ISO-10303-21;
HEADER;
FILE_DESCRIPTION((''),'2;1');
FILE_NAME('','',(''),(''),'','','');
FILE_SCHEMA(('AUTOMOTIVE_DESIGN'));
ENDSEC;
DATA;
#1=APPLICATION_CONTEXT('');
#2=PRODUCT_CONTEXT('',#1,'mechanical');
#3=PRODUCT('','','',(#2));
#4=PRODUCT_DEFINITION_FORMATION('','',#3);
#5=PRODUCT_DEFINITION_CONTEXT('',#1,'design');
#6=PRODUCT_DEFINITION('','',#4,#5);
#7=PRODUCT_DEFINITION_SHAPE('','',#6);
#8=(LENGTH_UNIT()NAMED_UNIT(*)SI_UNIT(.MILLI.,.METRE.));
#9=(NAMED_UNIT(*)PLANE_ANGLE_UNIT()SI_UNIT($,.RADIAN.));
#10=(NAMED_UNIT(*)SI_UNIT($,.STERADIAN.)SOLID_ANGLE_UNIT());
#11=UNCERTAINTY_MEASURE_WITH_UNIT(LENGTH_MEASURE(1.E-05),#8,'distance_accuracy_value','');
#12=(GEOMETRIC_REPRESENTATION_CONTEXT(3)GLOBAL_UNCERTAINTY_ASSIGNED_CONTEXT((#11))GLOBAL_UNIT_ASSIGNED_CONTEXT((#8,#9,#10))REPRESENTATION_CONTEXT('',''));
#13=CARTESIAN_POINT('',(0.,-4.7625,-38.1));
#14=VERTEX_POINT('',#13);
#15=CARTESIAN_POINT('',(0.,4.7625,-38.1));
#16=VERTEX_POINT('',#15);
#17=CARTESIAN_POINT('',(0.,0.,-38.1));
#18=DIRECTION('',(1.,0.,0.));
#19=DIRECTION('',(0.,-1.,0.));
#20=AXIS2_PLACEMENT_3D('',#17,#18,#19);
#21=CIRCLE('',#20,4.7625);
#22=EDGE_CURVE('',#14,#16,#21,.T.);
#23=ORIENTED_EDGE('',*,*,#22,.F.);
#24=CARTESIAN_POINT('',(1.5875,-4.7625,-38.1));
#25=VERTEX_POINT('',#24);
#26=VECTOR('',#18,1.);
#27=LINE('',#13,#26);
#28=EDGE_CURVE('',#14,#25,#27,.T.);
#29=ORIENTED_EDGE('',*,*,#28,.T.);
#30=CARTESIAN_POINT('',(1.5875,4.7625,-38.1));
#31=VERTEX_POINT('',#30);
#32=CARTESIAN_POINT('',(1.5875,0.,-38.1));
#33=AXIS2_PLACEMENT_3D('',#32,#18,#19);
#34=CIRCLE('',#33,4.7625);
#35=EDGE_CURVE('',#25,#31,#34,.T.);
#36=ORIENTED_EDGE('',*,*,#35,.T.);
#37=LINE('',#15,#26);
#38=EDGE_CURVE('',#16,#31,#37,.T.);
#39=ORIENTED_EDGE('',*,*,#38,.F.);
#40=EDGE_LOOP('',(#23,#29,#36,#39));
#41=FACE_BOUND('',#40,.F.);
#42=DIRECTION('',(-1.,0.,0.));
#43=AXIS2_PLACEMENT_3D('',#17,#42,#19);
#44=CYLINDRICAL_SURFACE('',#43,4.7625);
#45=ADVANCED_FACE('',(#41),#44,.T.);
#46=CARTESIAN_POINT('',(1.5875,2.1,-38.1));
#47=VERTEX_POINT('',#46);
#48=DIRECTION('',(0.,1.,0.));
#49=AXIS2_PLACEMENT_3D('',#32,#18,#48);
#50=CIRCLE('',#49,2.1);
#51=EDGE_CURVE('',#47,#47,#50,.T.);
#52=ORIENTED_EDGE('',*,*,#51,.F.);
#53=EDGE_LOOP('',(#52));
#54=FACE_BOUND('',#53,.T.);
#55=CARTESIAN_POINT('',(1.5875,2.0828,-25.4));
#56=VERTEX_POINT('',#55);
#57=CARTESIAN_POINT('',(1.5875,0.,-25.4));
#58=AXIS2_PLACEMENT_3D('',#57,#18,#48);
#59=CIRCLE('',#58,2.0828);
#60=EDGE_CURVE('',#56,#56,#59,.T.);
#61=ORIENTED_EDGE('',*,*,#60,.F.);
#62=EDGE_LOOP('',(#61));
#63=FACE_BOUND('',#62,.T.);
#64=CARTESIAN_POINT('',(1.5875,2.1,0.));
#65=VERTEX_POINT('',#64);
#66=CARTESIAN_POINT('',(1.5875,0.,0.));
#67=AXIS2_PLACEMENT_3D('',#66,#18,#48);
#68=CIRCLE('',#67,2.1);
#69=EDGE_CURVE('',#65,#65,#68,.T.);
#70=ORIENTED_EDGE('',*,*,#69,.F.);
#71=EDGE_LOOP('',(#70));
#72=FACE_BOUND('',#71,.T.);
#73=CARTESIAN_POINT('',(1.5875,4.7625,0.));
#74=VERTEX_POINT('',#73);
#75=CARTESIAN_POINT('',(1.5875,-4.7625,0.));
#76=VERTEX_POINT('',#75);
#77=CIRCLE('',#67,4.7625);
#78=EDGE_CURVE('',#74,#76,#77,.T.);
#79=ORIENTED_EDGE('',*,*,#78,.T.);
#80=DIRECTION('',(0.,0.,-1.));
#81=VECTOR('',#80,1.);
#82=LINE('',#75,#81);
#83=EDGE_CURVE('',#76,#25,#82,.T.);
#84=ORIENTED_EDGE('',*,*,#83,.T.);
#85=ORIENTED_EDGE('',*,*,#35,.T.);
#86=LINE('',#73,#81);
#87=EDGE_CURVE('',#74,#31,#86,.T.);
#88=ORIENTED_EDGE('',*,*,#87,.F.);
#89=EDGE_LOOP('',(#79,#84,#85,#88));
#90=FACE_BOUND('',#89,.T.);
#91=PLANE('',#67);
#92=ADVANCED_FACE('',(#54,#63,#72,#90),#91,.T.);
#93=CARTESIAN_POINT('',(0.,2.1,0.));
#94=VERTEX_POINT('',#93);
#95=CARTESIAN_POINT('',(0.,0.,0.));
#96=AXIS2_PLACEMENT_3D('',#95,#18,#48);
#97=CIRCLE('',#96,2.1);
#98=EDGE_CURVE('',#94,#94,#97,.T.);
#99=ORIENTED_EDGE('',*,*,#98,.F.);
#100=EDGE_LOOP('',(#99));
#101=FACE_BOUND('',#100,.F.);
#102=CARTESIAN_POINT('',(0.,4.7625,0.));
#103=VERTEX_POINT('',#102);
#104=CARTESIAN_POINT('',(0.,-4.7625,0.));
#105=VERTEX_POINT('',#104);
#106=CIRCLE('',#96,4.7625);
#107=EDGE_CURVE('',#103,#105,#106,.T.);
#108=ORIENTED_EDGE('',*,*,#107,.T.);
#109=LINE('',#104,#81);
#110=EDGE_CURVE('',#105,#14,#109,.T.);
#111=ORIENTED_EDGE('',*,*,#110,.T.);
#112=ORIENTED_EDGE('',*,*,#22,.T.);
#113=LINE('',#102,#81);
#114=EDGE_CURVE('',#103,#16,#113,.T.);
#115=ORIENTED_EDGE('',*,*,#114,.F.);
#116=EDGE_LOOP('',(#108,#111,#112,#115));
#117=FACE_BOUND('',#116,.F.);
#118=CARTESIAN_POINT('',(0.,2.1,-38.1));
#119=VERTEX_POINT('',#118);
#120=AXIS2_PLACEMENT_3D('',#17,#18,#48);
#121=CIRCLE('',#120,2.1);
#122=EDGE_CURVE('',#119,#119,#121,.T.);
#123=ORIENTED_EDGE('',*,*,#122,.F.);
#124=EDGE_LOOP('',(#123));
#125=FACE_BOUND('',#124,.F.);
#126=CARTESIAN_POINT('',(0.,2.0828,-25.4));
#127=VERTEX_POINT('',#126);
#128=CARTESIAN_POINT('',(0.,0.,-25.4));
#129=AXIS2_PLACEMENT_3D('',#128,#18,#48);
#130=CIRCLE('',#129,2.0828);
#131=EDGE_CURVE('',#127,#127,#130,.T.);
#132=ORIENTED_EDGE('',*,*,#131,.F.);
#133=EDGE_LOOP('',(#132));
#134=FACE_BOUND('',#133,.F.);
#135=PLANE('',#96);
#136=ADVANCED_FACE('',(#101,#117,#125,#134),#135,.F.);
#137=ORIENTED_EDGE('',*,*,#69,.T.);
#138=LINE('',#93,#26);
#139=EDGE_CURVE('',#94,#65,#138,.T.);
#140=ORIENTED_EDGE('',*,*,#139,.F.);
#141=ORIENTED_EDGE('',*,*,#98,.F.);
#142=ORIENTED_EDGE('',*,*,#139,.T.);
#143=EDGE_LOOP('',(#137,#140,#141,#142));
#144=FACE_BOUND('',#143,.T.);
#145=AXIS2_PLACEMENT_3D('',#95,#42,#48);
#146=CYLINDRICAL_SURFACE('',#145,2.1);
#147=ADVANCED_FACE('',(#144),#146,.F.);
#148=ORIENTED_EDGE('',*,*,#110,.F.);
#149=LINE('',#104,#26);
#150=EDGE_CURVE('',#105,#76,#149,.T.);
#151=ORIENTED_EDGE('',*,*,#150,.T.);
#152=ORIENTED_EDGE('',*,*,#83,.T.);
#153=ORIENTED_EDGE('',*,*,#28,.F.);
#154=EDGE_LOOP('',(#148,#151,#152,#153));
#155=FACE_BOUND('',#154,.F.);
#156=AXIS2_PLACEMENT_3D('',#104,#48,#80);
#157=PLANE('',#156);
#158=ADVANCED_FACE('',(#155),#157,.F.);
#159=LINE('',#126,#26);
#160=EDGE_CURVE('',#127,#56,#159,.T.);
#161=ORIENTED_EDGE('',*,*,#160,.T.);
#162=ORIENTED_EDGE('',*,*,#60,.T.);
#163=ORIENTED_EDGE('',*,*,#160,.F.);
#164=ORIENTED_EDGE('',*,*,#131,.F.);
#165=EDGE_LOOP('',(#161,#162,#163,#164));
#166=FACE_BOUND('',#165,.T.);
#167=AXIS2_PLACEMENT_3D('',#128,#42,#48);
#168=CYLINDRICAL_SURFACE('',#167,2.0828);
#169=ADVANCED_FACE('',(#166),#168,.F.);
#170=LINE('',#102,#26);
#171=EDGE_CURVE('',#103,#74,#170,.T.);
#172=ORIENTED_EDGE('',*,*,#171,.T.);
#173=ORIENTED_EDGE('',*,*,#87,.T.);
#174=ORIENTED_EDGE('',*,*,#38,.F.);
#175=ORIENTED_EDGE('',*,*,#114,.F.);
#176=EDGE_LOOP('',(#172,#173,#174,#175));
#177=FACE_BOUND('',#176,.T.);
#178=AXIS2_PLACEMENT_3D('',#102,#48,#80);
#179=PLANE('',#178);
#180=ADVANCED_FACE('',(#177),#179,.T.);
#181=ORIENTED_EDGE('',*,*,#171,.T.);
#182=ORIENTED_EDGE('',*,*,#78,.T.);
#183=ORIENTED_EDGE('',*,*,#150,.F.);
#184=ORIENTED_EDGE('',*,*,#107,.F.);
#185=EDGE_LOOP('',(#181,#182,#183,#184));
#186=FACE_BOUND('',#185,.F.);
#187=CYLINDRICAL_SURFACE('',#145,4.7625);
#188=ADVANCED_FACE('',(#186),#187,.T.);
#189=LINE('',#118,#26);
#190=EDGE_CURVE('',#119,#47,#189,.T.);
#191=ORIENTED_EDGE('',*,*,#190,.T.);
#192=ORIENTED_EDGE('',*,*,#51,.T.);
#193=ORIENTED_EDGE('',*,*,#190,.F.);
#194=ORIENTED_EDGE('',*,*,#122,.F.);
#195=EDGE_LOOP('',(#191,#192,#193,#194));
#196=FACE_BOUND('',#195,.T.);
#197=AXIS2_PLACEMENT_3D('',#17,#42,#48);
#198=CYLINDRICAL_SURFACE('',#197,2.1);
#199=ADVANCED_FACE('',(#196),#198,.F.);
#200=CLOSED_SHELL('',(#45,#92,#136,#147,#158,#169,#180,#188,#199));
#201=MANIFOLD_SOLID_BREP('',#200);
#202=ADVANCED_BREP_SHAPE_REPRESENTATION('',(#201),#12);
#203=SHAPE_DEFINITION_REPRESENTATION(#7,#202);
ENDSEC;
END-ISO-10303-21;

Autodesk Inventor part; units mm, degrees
ref_plane "YZ Plane" through (0, 0, 0) normal (1, 0, 0) x (0, 1, 0)
ref_plane "XZ Plane" through (0, 0, 0) normal (0, 1, 0) x (-1, 0, 0)
ref_plane "XY Plane" through (0, 0, 0) normal (0, 0, 1) x (1, 0, 0)
sketch "Sketch1" plane through (0, 0, 0) normal (1, 0, 0) x (0, 1, 0)
  circle A0 centre (0, 0) radius 2.1
  circle A1 centre (0, -25.4) radius 2.0828
  circle A2 centre (0, -38.1) radius 2.1
  arc A3 (4.7625, 0) -> (-4.7625, 0) centre (0, 0) ccw
  arc A4 (-4.7625, -38.1) -> (4.7625, -38.1) centre (0, -38.1) ccw
  line L0 (4.7625, 0) -> (4.7625, -38.1)
  line L1 (-4.7625, 0) -> (-4.7625, -38.1)
  dimension "d0" = 4.2
  dimension "d4" = 4.1656
  dimension "d5" = 4.2
extrude "Extrusion1" add sketch "Sketch1" along normal blind 1.5875
properties part number "Gearbox Gusset" material "Acetal Resin, White"
